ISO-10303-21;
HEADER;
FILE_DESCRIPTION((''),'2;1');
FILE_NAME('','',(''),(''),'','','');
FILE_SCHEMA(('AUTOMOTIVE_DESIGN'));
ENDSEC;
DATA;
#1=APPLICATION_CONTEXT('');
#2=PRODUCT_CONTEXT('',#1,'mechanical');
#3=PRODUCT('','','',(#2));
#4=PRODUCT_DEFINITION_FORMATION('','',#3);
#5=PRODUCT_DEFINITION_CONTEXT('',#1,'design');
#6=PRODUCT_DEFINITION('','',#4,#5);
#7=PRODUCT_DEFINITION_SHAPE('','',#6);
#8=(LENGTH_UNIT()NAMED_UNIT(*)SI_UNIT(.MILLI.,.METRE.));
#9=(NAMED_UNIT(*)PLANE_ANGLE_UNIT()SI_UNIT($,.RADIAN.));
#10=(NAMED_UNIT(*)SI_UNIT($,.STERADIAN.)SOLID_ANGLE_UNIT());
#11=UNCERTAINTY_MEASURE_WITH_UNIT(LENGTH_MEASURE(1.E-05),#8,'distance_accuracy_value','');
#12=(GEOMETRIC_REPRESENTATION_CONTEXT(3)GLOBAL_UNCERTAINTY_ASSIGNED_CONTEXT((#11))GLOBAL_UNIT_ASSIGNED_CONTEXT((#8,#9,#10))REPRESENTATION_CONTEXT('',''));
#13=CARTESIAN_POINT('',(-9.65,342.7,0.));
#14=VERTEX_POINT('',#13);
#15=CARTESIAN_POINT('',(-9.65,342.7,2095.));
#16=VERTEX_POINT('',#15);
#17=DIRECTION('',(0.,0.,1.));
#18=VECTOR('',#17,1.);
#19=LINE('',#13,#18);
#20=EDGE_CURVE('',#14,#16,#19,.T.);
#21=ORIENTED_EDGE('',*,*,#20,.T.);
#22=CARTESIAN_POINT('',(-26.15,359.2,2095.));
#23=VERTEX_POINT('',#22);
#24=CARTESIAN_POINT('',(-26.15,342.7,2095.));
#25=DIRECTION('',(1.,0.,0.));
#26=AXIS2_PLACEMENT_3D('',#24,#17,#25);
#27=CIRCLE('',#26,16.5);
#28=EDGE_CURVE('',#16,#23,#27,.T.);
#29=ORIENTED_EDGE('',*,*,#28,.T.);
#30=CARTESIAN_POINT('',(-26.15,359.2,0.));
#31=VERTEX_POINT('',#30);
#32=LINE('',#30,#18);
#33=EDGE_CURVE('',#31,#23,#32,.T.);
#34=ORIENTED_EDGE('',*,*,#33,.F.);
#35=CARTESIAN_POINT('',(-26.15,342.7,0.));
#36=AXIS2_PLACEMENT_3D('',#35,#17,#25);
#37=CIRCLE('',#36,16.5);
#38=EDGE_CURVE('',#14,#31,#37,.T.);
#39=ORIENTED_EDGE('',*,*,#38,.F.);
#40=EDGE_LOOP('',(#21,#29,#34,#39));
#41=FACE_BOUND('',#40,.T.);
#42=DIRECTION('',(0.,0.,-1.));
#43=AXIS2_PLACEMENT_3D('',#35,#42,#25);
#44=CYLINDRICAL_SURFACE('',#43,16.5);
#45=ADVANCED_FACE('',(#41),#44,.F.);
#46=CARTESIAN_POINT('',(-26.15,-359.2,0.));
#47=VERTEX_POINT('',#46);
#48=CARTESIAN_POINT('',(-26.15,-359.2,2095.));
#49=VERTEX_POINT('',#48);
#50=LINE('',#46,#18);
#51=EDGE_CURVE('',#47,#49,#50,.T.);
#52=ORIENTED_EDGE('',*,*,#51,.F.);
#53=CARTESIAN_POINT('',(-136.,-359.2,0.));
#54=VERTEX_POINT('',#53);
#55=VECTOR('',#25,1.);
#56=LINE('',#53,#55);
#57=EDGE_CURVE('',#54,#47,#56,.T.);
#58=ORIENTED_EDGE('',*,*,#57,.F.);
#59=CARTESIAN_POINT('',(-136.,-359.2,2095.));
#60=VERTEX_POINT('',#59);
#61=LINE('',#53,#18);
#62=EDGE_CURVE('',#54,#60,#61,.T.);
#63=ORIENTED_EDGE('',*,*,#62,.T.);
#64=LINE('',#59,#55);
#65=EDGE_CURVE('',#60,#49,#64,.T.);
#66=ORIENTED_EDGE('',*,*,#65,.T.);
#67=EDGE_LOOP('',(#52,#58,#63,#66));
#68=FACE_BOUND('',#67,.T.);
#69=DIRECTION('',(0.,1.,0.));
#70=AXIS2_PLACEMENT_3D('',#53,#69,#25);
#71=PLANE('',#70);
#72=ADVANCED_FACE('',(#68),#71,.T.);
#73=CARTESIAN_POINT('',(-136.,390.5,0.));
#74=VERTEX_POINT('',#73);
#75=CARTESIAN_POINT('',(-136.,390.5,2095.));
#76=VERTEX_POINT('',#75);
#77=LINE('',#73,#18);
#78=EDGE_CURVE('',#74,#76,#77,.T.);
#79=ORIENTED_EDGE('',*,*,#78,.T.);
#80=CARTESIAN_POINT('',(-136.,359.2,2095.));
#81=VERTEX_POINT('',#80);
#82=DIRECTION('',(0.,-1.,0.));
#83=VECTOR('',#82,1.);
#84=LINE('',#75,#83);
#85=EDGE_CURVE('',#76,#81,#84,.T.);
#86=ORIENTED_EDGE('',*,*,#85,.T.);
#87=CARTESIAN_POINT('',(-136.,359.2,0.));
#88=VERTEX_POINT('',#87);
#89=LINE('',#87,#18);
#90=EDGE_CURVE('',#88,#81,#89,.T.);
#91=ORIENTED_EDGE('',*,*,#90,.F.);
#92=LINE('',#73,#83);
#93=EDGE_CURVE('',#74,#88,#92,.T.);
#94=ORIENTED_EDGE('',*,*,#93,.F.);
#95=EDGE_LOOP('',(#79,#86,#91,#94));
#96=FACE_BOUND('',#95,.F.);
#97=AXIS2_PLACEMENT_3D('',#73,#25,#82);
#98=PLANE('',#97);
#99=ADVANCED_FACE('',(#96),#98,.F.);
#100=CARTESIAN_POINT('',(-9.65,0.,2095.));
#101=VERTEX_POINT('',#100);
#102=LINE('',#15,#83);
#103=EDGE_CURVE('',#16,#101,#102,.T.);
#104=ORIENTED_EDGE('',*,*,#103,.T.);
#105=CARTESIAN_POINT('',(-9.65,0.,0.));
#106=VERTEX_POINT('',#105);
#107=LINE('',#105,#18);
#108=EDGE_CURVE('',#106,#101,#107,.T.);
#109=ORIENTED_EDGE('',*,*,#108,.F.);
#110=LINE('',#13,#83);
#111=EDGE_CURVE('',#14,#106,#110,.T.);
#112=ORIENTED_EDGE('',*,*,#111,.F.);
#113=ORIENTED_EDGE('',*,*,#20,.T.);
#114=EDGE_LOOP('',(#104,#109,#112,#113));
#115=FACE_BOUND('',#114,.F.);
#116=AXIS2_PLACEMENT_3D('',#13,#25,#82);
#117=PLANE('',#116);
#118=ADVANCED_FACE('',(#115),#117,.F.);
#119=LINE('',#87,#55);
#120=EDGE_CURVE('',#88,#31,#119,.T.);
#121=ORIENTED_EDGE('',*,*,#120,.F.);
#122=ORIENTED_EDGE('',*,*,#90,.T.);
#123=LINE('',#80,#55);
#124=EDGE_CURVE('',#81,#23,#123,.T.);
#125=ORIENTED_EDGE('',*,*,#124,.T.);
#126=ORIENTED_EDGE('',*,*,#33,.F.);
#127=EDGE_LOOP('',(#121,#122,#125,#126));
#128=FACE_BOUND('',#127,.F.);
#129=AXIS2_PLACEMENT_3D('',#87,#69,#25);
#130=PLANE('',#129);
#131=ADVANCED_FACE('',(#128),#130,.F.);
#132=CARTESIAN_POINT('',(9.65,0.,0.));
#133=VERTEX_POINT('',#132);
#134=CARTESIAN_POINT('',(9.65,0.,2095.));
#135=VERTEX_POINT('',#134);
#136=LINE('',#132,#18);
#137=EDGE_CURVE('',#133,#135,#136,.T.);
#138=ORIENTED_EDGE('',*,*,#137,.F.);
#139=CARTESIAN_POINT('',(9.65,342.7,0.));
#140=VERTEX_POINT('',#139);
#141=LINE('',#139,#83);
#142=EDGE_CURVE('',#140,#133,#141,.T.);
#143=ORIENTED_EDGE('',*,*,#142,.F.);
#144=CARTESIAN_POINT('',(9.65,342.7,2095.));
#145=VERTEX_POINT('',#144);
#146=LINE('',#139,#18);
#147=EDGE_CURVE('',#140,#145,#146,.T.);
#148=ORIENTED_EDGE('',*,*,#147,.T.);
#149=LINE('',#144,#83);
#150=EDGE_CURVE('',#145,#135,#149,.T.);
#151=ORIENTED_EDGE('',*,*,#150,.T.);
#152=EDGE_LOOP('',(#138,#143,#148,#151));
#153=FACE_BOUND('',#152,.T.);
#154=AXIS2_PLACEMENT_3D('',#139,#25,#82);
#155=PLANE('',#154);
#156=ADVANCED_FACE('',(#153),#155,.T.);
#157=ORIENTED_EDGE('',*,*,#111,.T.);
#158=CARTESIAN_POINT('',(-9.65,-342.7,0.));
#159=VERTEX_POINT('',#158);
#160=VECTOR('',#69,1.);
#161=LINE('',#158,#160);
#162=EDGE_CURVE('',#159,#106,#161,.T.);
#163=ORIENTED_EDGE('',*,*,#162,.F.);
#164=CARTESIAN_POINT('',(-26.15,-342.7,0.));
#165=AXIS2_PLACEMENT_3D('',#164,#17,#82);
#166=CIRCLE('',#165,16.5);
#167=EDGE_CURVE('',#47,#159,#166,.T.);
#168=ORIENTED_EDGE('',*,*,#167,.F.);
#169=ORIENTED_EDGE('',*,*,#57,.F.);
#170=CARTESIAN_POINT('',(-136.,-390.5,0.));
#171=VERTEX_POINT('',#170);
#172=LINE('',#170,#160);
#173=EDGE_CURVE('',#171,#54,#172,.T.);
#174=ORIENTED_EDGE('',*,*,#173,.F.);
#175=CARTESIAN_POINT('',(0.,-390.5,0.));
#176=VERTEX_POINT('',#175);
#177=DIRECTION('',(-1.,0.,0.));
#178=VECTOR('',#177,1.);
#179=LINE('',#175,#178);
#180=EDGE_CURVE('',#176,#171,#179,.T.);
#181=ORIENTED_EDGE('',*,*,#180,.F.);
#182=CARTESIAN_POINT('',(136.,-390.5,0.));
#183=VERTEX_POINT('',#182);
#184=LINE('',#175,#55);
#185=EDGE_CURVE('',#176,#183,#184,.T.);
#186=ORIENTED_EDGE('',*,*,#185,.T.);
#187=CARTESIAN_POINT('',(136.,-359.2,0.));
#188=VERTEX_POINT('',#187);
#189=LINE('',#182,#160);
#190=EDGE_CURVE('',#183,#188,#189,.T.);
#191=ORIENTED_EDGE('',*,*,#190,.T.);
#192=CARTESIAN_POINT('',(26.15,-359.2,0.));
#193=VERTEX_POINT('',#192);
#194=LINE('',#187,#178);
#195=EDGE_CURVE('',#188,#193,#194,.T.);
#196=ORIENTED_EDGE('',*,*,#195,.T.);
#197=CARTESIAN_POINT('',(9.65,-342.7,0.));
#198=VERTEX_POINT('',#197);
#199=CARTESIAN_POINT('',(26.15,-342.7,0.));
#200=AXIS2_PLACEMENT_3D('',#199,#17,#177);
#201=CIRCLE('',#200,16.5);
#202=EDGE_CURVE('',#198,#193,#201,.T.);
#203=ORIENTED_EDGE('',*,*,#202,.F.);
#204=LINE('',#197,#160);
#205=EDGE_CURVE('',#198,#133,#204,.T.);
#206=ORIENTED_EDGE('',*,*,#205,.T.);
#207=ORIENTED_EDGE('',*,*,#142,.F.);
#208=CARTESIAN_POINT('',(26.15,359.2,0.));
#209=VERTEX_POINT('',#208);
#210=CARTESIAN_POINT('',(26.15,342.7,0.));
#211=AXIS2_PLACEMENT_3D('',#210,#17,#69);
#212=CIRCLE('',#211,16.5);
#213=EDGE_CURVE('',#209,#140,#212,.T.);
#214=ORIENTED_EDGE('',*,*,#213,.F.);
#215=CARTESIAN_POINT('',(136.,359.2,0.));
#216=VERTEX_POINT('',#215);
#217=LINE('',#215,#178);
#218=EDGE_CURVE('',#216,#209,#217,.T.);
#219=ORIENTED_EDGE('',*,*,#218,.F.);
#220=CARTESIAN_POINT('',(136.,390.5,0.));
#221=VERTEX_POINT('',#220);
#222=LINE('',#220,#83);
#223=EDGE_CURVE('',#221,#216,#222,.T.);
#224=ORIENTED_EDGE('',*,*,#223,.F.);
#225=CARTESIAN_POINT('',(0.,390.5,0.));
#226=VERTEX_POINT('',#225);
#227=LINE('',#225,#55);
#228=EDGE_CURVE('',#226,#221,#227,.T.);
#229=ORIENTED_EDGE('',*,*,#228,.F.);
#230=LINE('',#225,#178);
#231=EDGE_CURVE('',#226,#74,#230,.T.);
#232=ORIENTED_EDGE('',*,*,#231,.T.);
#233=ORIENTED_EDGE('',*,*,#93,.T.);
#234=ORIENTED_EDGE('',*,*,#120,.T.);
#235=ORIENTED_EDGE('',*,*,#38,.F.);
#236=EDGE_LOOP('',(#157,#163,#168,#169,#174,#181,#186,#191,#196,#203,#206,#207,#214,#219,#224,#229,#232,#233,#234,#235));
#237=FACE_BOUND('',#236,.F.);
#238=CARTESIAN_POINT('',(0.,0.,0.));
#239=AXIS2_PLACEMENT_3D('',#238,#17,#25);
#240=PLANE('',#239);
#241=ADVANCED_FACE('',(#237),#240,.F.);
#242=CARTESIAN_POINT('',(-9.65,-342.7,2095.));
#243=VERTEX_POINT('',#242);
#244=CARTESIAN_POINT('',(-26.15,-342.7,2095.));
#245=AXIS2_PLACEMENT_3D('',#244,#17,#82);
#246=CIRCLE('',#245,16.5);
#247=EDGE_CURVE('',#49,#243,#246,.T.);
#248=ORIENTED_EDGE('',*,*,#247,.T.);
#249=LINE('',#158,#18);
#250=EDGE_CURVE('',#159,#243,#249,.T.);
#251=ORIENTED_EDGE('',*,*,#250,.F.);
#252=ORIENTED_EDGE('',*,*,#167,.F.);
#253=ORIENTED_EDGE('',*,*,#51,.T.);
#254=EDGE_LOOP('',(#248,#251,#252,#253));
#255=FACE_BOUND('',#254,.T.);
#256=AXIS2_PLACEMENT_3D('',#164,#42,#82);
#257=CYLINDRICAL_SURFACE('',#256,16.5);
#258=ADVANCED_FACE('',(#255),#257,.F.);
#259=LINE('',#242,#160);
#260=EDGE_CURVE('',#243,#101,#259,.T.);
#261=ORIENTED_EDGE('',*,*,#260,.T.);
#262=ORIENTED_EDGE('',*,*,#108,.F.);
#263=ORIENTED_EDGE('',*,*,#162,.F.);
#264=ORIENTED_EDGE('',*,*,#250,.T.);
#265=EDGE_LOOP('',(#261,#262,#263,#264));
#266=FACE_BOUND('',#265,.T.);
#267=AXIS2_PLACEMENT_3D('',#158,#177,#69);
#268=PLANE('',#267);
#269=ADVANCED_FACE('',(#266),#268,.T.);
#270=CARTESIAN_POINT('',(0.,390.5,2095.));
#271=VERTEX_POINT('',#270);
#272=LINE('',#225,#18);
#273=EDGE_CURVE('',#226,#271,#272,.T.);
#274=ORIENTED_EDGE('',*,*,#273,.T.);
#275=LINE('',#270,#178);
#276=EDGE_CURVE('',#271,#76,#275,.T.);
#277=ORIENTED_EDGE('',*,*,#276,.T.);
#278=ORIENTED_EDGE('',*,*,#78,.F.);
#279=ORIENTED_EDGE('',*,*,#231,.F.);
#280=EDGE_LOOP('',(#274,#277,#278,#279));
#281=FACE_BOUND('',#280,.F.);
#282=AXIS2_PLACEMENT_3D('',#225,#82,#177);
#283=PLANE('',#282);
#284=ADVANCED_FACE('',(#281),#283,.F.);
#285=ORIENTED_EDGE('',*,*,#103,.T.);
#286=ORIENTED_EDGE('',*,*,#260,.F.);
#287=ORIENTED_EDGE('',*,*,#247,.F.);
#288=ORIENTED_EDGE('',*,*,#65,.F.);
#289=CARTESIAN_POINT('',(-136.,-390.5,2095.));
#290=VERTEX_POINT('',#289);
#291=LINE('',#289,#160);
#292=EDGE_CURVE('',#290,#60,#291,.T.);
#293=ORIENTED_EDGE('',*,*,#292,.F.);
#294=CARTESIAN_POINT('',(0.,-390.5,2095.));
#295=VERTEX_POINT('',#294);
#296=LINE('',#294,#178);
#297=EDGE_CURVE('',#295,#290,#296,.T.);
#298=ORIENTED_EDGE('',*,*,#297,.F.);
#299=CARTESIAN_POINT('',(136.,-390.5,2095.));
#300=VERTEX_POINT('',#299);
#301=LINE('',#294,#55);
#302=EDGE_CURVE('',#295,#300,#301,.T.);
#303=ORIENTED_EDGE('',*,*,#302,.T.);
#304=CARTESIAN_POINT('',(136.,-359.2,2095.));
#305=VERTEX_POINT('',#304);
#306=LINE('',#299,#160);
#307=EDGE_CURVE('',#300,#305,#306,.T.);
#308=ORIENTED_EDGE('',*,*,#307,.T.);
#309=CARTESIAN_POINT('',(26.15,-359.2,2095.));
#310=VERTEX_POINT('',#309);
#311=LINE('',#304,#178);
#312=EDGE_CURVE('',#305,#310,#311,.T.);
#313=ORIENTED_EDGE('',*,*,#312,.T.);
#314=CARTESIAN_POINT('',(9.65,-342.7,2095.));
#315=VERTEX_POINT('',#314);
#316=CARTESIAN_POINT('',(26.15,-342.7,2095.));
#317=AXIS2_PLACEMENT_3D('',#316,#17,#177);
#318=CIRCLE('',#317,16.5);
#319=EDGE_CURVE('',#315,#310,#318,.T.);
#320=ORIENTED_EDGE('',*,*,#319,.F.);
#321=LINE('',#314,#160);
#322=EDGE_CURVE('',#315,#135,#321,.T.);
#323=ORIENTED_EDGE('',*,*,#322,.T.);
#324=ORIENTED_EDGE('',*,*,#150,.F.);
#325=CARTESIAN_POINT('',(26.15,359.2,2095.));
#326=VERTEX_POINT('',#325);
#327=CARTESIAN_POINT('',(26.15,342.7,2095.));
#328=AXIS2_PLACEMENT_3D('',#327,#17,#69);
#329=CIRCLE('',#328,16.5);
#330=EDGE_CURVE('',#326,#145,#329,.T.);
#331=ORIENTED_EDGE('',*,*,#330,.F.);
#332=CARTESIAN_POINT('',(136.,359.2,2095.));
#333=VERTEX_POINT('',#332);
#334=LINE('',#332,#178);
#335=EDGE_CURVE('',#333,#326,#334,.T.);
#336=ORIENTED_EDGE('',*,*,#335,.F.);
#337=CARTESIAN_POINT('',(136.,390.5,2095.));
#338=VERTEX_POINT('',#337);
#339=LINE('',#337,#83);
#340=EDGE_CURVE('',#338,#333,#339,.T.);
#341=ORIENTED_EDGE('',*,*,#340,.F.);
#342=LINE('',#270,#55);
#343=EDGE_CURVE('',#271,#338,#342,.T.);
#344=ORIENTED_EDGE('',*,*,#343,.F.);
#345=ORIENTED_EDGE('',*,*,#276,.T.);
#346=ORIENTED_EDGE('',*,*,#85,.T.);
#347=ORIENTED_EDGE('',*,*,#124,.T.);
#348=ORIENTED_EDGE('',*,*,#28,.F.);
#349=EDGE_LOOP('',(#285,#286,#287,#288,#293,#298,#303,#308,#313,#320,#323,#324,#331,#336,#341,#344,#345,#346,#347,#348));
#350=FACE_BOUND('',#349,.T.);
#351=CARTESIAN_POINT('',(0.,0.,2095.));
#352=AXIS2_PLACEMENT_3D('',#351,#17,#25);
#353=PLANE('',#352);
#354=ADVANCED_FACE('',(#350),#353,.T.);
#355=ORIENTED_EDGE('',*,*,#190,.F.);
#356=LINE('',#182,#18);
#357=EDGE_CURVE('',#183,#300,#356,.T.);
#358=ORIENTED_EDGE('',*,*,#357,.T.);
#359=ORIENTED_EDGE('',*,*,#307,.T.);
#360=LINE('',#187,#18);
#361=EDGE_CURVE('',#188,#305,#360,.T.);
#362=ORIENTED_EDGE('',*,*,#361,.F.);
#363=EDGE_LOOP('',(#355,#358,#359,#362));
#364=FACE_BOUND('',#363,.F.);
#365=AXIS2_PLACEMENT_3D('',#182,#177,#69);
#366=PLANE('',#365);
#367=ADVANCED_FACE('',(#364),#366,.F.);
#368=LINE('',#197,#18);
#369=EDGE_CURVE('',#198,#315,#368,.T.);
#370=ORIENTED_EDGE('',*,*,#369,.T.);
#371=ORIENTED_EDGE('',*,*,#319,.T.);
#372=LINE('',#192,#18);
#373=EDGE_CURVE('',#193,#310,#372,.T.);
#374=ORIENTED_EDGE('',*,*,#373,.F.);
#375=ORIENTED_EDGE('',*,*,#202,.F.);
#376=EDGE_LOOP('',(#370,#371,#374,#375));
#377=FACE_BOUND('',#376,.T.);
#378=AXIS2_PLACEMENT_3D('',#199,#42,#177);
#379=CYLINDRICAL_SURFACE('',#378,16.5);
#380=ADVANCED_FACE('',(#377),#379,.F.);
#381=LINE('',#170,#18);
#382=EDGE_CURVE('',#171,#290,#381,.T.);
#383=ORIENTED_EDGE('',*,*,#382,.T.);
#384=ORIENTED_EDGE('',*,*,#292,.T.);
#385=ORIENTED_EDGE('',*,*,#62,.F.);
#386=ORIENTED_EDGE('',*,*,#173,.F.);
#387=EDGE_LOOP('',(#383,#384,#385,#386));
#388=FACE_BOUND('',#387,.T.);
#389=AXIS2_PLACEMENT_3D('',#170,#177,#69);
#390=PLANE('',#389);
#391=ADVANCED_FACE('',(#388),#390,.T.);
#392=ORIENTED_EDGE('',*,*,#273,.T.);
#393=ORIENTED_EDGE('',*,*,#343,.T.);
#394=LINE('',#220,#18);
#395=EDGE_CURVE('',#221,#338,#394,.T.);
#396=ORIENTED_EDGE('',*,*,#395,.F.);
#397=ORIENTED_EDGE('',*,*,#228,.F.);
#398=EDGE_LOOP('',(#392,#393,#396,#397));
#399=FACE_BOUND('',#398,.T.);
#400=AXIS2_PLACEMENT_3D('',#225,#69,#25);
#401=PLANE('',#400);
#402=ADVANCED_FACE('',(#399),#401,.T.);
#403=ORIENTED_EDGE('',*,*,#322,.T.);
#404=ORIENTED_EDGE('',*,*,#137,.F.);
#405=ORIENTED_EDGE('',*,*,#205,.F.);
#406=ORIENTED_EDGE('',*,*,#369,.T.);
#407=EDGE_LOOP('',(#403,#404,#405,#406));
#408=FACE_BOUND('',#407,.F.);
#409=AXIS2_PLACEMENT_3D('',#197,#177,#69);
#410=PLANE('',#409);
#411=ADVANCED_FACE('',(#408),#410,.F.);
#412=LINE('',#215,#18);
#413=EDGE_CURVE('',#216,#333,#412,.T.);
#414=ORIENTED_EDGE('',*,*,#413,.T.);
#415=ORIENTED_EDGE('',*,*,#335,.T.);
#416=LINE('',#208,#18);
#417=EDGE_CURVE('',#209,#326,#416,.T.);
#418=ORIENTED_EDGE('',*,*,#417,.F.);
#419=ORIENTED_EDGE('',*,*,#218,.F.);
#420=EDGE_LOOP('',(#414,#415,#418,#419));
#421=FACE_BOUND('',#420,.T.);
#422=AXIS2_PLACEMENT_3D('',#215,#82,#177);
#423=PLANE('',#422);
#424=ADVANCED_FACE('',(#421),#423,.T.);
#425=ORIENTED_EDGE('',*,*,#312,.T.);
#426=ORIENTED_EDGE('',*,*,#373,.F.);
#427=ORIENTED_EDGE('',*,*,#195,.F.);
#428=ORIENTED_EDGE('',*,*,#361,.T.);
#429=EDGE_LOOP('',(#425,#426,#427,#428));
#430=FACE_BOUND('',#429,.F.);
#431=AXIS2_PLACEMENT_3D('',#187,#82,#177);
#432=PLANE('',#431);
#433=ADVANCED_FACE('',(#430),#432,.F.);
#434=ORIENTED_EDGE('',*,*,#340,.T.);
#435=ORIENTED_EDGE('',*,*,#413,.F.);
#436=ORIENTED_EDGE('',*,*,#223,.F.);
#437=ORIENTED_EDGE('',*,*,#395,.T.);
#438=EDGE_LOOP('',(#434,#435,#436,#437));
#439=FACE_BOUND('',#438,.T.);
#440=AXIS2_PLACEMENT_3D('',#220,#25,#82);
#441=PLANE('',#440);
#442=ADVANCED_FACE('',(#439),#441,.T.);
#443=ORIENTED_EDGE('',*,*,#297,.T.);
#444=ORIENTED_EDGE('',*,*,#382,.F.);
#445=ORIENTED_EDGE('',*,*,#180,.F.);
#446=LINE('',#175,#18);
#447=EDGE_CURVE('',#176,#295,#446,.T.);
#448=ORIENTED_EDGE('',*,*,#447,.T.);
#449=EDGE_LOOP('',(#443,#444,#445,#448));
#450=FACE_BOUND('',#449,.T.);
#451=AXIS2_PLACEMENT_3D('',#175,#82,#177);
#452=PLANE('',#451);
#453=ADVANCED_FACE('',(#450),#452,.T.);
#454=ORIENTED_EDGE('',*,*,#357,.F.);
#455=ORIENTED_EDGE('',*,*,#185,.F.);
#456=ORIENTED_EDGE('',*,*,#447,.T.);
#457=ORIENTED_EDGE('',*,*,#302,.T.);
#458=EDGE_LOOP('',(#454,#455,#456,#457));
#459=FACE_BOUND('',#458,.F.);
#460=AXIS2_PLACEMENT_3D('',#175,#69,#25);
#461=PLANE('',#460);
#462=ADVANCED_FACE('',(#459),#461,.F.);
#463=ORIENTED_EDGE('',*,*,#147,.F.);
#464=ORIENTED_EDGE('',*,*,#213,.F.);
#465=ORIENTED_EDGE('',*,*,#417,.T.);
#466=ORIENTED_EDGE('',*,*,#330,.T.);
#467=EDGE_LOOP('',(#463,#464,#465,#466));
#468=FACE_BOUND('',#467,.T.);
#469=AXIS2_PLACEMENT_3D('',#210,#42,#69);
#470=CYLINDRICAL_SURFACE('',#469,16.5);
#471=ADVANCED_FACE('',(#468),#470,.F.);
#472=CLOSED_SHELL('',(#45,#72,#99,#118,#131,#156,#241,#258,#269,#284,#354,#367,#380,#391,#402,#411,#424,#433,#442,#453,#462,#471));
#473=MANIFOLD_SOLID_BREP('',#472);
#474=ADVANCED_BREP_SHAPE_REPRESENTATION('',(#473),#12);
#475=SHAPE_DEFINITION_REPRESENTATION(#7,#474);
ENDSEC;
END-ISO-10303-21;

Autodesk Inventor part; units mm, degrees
ref_plane "YZ Plane" through (0, 0, 0) normal (1, 0, 0) x (0, 1, 0)
ref_plane "Start plane" through (0, 0, 0) normal (0, 0, 1) x (1, 0, 0)
ref_plane "End plane" through (0, 0, 2095) normal (0, 0, 1) x (1, 0, 0)
sketch "Sketch" plane through (0, 0, 0) normal (0, 0, 1) x (1, 0, 0)
  line L0 (-136, -390.5) -> (-136, -359.2)
  line L1 (-136, -359.2) -> (-26.15, -359.2)
  line L2 (-9.65, -342.7) -> (-9.65, 0)
  line L3 (-9.65, 0) -> (0, 0) construction
  line L4 (0, 0) -> (0, -390.5) construction
  line L5 (0, -390.5) -> (-136, -390.5)
  line L6 (-60, 0) -> (80, 0) construction
  line L7 (0, -60) -> (0, 80) construction
  line L8 (136, -390.5) -> (136, -359.2)
  line L9 (136, -359.2) -> (26.15, -359.2)
  line L10 (9.65, -342.7) -> (9.65, 0)
  line L11 (9.65, 0) -> (0, 0) construction
  line L12 (0, -390.5) -> (136, -390.5)
  line L13 (-136, 390.5) -> (-136, 359.2)
  line L14 (-136, 359.2) -> (-26.15, 359.2)
  line L15 (-9.65, 342.7) -> (-9.65, 0)
  line L16 (0, 390.5) -> (-136, 390.5)
  line L17 (136, 390.5) -> (136, 359.2)
  line L18 (136, 359.2) -> (26.15, 359.2)
  line L19 (0, 390.5) -> (136, 390.5)
  line L20 (9.65, 342.7) -> (9.65, 0)
  arc A0 (-9.65, 342.7) -> (-26.15, 359.2) centre (-26.15, 342.7) ccw
  arc A1 (26.15, 359.2) -> (9.65, 342.7) centre (26.15, 342.7) ccw
  arc A2 (9.65, -342.7) -> (26.15, -359.2) centre (26.15, -342.7) ccw
  arc A3 (-26.15, -359.2) -> (-9.65, -342.7) centre (-26.15, -342.7) ccw
  line L21 (0, 108) -> (0, -88) construction
  line L22 (-88, 0) -> (108, 0) construction
  point P0 (-9.65, -359.2)
  point P1 (9.65, -359.2)
  point P2 (-9.65, 359.2)
  point P3 (9.65, 359.2)
  dimension "d1" = 390.5
  dimension "d2" = 31.3
  dimension "d3" = 136
  dimension "d4" = 9.65
  dimension "d10" = 16.5
extrude "Body" add sketch "Sketch" along normal up to surface (2095 mm away) from surface at 0
sketch "Sketch4" plane through (0, 0, 0) normal (0, 0, 1) x (1, 0, 0)
  line L0 (0, 0) -> (10, 0)
ref_plane "Work Plane3" through (0, 0, 0) normal (0, -1, 0) x (1, 0, 0)
sketch "Sketch5" plane through (0, 0, 0) normal (0, -1, 0) x (1, 0, 0)
  line L0 (-2, 0) -> (12, 0) projected
  line L1 (-2, 2095) -> (12, 2095) projected
  dimension "d14" = 2095
equation "\"d1\" = 0.5 * G_H"
equation "\"d2\" = G_T1"
equation "\"d3\" = 0.5 * G_W"
equation "\"d4\" = 0.5 * G_T"
equation "\"d10\" = G_IR"
equation "\"d5\" = G_L"
equation "\"G_W\" = 272"
equation "\"G_H\" = 781"
equation "\"G_T\" = 19.3"
equation "\"G_T1\" = 31.3"
equation "\"G_IR\" = 16.5"
equation "\"G_L\" = d14"
equation "\"G_OFFSET_START\" = 0"
equation "\"G_OFFSET_END\" = 0"
equation "\"d12\" = G_OFFSET_END + B_L"
equation "\"B_L\" = 2095"
properties part number "AS 3679-1990 - 760 UB - 244 - 2095" material "Steel, Mild"
